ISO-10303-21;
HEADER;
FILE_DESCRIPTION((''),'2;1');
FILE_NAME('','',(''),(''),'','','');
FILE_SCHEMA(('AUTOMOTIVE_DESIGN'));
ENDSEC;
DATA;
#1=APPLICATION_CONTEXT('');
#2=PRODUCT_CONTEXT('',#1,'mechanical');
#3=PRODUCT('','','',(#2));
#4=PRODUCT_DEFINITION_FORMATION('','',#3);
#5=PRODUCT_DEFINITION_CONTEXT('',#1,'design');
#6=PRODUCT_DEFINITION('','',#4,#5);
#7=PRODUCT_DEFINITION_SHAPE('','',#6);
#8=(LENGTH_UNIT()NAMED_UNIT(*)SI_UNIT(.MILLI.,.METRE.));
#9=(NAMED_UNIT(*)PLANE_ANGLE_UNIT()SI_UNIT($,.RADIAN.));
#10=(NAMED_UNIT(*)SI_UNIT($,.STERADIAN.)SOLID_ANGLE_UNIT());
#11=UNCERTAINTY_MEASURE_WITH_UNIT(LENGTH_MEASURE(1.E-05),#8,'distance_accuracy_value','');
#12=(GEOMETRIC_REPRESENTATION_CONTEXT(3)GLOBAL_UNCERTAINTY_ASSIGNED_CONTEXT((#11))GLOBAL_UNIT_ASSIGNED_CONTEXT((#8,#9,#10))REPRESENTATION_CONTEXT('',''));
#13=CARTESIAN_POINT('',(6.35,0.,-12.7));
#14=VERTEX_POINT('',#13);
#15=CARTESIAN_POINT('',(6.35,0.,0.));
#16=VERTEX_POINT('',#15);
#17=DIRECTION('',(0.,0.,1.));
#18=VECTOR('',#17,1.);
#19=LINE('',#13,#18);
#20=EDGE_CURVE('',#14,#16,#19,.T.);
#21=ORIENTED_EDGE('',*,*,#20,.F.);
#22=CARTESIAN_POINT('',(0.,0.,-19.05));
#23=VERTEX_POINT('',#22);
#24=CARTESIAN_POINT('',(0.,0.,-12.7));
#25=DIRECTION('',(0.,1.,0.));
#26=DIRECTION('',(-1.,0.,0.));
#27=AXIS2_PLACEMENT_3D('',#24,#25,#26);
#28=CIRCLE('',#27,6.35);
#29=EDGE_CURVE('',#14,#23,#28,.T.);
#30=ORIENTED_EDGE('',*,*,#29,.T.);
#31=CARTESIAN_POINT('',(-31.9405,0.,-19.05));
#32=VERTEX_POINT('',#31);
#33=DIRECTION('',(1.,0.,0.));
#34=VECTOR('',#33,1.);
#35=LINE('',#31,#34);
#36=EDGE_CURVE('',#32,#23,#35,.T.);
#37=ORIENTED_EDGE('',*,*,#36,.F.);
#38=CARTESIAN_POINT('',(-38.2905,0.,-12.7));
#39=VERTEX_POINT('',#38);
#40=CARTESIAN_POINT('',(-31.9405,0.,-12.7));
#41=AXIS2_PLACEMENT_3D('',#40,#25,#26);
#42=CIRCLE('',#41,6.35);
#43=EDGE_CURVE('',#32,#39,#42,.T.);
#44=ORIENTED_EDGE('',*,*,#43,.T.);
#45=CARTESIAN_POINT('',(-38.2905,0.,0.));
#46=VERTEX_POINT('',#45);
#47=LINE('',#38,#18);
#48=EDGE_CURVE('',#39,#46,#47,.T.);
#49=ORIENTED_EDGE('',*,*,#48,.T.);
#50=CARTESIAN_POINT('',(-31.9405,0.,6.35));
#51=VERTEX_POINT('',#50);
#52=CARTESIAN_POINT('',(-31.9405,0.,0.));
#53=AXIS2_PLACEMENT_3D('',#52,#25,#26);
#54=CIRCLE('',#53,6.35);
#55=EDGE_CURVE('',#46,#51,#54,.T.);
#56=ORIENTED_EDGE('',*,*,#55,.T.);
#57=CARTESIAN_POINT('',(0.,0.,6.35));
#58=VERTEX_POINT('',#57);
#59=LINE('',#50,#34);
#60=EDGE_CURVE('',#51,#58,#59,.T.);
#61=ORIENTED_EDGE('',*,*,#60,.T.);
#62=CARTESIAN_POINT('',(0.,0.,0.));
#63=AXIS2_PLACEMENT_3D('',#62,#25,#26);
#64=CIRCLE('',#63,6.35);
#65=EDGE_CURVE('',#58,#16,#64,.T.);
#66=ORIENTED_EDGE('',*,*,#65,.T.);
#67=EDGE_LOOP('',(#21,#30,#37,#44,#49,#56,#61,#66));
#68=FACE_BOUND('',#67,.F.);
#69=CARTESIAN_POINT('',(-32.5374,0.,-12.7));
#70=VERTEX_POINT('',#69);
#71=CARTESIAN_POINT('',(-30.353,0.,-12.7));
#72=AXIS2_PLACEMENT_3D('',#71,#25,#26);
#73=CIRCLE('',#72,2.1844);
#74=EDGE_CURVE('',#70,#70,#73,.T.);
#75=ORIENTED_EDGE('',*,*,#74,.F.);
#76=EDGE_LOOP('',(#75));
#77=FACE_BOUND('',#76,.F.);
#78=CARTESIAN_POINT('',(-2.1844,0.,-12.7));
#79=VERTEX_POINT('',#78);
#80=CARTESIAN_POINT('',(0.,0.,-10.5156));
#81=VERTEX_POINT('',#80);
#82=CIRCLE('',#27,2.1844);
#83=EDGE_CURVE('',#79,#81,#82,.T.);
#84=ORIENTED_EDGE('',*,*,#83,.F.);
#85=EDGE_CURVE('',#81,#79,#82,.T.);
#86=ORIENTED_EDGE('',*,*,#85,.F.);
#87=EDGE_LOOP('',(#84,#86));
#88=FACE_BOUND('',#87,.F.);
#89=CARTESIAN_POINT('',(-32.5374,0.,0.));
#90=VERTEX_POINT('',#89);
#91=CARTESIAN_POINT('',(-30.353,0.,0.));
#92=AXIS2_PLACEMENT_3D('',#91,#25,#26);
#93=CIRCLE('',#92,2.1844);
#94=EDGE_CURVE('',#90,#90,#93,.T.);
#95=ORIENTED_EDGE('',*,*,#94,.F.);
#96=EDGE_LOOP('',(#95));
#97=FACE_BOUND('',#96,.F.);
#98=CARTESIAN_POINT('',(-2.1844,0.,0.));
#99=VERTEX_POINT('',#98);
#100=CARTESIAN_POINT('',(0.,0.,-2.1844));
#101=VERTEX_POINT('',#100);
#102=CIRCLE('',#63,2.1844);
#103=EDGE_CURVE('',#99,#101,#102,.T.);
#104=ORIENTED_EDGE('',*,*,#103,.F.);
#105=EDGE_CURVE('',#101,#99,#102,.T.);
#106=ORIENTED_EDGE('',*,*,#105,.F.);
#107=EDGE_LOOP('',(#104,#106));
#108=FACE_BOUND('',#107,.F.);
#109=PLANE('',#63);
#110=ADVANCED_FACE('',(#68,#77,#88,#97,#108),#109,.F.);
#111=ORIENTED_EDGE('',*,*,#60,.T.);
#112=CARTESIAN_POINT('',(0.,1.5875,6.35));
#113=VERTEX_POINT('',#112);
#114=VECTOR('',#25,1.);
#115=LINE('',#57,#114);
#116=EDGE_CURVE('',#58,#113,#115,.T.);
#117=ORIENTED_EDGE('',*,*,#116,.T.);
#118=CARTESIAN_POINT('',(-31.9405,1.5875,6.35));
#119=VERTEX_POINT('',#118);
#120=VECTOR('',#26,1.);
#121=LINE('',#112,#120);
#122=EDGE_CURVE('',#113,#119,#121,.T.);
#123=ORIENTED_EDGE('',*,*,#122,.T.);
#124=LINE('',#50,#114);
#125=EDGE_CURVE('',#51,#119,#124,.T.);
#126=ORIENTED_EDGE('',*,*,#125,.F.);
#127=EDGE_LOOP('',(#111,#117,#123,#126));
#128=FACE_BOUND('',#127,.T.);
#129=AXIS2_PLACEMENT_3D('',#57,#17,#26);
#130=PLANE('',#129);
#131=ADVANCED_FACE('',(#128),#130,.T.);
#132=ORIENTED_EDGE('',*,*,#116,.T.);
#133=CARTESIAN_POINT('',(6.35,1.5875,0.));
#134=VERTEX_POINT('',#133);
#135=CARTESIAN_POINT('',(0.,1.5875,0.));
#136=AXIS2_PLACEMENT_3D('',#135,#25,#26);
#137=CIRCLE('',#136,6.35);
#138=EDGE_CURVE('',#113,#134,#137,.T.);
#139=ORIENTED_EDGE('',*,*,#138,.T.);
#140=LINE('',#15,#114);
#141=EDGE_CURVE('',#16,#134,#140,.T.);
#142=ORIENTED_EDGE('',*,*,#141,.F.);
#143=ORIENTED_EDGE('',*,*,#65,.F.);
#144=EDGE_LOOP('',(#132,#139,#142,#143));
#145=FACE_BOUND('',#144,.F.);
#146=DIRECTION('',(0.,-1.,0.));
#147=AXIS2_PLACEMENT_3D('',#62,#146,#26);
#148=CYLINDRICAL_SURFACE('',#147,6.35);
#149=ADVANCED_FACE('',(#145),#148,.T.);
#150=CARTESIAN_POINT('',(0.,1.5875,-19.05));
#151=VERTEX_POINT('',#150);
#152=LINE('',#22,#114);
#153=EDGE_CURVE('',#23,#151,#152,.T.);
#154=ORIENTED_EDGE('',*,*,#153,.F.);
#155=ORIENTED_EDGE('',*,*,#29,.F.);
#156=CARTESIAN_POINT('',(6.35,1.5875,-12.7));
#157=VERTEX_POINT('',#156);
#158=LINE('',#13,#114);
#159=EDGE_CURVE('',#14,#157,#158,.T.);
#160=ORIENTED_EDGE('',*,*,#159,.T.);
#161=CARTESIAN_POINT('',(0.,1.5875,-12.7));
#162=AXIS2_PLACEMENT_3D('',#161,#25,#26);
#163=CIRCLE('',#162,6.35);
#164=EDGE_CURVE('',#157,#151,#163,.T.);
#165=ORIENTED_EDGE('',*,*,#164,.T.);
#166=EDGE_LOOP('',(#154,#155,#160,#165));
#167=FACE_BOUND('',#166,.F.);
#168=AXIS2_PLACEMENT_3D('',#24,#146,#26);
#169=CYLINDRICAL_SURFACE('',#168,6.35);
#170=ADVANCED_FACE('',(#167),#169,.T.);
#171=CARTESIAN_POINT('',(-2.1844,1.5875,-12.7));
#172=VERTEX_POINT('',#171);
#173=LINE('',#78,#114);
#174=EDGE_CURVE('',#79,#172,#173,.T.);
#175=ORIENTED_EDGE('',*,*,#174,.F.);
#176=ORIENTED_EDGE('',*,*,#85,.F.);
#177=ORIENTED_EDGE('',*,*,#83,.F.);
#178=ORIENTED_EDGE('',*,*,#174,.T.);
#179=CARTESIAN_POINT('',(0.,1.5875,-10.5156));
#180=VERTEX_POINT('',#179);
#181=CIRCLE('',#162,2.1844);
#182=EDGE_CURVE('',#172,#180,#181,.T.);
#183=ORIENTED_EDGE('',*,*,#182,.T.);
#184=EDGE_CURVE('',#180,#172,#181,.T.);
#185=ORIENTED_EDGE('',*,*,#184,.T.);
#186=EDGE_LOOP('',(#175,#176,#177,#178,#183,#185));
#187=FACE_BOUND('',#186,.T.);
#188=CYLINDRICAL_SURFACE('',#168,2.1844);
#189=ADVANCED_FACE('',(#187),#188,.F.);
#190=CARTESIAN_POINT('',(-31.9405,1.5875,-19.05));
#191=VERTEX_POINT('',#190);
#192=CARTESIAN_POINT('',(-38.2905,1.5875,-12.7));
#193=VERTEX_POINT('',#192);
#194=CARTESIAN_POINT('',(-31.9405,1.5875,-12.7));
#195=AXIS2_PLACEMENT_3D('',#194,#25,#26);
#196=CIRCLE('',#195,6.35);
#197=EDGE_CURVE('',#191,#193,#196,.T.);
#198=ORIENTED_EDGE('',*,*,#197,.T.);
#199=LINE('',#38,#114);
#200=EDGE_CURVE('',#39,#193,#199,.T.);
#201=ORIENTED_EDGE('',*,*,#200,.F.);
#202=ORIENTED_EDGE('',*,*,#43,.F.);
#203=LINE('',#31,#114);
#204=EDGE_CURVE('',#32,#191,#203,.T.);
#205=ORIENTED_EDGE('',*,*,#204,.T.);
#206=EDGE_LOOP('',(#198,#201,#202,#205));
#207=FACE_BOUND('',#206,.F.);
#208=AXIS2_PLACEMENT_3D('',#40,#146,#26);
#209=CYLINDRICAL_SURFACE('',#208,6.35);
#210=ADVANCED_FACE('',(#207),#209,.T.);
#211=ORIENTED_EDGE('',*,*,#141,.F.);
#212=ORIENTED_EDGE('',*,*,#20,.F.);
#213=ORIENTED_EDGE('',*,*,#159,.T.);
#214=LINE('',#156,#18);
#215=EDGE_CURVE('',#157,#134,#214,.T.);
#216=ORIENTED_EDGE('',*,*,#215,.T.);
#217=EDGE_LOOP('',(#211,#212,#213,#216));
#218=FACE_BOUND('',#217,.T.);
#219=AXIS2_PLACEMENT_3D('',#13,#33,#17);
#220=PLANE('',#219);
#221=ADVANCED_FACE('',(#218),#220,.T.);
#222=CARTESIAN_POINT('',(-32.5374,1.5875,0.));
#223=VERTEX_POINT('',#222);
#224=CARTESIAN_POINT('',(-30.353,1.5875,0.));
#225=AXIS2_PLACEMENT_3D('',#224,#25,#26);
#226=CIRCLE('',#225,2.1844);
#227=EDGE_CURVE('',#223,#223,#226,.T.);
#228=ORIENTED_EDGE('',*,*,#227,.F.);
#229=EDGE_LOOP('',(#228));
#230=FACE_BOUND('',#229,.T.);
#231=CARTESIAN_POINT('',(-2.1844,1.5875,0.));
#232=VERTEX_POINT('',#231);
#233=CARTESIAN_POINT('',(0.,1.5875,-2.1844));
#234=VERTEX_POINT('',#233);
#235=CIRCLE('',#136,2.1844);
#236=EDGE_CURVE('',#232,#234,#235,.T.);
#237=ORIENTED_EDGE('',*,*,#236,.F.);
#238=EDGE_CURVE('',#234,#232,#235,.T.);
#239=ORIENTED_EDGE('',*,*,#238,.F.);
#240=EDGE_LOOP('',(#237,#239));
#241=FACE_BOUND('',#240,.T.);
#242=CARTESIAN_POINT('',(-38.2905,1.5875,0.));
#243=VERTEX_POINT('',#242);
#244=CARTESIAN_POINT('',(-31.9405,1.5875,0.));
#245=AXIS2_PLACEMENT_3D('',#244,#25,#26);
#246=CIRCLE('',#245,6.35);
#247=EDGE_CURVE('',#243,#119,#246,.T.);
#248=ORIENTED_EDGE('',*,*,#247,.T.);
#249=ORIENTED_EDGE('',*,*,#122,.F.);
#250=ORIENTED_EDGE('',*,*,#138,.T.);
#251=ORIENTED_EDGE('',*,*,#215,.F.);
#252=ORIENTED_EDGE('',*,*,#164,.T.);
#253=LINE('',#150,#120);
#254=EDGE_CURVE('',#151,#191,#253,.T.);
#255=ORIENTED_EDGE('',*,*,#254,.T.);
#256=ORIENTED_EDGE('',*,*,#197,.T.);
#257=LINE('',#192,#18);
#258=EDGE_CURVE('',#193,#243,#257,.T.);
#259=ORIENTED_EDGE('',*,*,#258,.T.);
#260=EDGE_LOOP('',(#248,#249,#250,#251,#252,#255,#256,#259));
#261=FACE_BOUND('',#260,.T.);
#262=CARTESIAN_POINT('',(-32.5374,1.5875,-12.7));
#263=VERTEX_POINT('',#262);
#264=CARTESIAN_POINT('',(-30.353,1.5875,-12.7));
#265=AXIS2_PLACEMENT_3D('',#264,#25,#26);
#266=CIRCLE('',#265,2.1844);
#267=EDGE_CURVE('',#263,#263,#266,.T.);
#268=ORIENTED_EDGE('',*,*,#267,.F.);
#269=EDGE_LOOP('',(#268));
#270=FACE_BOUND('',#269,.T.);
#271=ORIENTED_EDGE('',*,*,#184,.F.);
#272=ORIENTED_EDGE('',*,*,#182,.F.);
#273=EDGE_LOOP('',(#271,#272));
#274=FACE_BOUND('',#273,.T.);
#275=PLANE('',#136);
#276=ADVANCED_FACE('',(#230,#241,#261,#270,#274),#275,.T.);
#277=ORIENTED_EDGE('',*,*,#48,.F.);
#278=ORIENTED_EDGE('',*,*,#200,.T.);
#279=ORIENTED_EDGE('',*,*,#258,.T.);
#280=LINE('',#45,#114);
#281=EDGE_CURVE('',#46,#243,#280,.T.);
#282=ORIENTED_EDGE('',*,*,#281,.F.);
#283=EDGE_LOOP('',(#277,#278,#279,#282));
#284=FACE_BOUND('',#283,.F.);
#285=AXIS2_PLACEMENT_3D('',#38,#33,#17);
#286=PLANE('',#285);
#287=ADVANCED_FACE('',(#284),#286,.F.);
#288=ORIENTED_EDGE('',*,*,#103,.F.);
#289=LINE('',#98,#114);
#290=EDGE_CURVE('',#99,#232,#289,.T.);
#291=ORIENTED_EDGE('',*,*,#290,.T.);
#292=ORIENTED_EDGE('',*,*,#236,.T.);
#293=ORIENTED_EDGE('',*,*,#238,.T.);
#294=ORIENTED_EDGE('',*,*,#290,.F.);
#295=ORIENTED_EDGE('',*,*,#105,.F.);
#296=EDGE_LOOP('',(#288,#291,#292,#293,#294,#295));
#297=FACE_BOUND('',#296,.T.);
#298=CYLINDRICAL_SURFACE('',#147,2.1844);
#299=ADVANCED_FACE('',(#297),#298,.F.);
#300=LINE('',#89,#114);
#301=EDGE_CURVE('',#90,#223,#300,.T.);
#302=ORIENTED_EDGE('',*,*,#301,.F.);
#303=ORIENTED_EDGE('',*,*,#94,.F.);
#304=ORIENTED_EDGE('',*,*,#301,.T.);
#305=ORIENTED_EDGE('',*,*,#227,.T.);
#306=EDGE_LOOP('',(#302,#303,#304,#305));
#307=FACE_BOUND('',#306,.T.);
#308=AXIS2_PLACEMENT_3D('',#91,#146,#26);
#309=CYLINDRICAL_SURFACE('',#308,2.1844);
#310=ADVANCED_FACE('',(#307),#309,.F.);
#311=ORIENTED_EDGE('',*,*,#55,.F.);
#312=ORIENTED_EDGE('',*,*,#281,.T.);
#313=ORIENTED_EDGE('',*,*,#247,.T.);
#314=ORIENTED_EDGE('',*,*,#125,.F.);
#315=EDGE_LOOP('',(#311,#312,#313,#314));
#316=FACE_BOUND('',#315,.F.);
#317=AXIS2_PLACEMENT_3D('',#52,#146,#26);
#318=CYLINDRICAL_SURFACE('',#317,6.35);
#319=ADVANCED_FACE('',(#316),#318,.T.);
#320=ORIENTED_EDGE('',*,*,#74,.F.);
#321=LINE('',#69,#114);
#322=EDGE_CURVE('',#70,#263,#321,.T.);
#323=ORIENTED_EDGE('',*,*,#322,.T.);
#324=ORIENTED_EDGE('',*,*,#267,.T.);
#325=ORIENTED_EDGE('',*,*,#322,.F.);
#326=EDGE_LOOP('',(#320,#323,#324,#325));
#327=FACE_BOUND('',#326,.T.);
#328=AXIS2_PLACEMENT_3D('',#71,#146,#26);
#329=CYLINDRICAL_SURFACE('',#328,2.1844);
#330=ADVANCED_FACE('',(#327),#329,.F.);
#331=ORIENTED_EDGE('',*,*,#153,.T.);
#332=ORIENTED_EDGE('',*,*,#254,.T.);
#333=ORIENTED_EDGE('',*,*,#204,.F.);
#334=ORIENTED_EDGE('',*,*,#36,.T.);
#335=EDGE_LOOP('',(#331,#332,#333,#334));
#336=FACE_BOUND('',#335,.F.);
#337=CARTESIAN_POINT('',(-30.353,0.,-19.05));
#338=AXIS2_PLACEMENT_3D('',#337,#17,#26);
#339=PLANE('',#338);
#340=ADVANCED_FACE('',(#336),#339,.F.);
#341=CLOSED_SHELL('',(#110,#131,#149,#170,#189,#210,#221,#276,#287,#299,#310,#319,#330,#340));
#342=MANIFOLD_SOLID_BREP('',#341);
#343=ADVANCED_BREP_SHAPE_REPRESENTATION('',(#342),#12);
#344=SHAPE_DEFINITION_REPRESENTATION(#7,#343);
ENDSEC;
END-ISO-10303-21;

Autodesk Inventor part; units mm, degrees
ref_plane "YZ Plane" through (0, 0, 0) normal (1, 0, 0) x (0, 1, 0)
ref_plane "XZ Plane" through (0, 0, 0) normal (0, 1, 0) x (-1, 0, 0)
ref_plane "XY Plane" through (0, 0, 0) normal (0, 0, 1) x (1, 0, 0)
sketch "Sketch1" plane through (0, 0, 0) normal (0, 1, 0) x (-1, 0, 0)
  circle A0 centre (0, 0) radius 2.1844
  circle A1 centre (30.353, 0) radius 2.1844
  line L0 (0, -12.7) -> (0, 0)
  circle A2 centre (30.353, -12.7) radius 2.1844
  circle A3 centre (0, -12.7) radius 2.1844
  circle A4 centre (0, -12.7) radius 6.35
  circle A5 centre (0, 0) radius 6.35
  line L1 (30.353, -19.05) -> (0, -19.05)
  line L2 (-6.35, -12.7) -> (-6.35, 0)
  line L3 (0, 6.35) -> (30.353, 6.35)
  line L4 (30.353, 0) -> (31.9405, 0)
  circle A6 centre (31.9405, 0) radius 6.35
  circle A7 centre (31.9405, -12.7) radius 6.35
  line L5 (30.353, 6.35) -> (31.9405, 6.35)
  line L6 (30.353, -19.05) -> (31.9405, -19.05)
  line L7 (38.2905, -12.7) -> (38.2905, 0)
  dimension "d0" = 4.3688
  dimension "d2" = 4.3688
  dimension "d4" = 4.3688
  dimension "d5" = 4.3688
  dimension "d8" = 12.7
  dimension "d9" = 12.7
  dimension "d10" = 1.5875
  dimension "d12" = 12.7
  dimension "d13" = 12.7
extrude "Extrusion1" add sketch "Sketch1" along normal blind 1.5875
properties part number "lbgrippermountpoly"
